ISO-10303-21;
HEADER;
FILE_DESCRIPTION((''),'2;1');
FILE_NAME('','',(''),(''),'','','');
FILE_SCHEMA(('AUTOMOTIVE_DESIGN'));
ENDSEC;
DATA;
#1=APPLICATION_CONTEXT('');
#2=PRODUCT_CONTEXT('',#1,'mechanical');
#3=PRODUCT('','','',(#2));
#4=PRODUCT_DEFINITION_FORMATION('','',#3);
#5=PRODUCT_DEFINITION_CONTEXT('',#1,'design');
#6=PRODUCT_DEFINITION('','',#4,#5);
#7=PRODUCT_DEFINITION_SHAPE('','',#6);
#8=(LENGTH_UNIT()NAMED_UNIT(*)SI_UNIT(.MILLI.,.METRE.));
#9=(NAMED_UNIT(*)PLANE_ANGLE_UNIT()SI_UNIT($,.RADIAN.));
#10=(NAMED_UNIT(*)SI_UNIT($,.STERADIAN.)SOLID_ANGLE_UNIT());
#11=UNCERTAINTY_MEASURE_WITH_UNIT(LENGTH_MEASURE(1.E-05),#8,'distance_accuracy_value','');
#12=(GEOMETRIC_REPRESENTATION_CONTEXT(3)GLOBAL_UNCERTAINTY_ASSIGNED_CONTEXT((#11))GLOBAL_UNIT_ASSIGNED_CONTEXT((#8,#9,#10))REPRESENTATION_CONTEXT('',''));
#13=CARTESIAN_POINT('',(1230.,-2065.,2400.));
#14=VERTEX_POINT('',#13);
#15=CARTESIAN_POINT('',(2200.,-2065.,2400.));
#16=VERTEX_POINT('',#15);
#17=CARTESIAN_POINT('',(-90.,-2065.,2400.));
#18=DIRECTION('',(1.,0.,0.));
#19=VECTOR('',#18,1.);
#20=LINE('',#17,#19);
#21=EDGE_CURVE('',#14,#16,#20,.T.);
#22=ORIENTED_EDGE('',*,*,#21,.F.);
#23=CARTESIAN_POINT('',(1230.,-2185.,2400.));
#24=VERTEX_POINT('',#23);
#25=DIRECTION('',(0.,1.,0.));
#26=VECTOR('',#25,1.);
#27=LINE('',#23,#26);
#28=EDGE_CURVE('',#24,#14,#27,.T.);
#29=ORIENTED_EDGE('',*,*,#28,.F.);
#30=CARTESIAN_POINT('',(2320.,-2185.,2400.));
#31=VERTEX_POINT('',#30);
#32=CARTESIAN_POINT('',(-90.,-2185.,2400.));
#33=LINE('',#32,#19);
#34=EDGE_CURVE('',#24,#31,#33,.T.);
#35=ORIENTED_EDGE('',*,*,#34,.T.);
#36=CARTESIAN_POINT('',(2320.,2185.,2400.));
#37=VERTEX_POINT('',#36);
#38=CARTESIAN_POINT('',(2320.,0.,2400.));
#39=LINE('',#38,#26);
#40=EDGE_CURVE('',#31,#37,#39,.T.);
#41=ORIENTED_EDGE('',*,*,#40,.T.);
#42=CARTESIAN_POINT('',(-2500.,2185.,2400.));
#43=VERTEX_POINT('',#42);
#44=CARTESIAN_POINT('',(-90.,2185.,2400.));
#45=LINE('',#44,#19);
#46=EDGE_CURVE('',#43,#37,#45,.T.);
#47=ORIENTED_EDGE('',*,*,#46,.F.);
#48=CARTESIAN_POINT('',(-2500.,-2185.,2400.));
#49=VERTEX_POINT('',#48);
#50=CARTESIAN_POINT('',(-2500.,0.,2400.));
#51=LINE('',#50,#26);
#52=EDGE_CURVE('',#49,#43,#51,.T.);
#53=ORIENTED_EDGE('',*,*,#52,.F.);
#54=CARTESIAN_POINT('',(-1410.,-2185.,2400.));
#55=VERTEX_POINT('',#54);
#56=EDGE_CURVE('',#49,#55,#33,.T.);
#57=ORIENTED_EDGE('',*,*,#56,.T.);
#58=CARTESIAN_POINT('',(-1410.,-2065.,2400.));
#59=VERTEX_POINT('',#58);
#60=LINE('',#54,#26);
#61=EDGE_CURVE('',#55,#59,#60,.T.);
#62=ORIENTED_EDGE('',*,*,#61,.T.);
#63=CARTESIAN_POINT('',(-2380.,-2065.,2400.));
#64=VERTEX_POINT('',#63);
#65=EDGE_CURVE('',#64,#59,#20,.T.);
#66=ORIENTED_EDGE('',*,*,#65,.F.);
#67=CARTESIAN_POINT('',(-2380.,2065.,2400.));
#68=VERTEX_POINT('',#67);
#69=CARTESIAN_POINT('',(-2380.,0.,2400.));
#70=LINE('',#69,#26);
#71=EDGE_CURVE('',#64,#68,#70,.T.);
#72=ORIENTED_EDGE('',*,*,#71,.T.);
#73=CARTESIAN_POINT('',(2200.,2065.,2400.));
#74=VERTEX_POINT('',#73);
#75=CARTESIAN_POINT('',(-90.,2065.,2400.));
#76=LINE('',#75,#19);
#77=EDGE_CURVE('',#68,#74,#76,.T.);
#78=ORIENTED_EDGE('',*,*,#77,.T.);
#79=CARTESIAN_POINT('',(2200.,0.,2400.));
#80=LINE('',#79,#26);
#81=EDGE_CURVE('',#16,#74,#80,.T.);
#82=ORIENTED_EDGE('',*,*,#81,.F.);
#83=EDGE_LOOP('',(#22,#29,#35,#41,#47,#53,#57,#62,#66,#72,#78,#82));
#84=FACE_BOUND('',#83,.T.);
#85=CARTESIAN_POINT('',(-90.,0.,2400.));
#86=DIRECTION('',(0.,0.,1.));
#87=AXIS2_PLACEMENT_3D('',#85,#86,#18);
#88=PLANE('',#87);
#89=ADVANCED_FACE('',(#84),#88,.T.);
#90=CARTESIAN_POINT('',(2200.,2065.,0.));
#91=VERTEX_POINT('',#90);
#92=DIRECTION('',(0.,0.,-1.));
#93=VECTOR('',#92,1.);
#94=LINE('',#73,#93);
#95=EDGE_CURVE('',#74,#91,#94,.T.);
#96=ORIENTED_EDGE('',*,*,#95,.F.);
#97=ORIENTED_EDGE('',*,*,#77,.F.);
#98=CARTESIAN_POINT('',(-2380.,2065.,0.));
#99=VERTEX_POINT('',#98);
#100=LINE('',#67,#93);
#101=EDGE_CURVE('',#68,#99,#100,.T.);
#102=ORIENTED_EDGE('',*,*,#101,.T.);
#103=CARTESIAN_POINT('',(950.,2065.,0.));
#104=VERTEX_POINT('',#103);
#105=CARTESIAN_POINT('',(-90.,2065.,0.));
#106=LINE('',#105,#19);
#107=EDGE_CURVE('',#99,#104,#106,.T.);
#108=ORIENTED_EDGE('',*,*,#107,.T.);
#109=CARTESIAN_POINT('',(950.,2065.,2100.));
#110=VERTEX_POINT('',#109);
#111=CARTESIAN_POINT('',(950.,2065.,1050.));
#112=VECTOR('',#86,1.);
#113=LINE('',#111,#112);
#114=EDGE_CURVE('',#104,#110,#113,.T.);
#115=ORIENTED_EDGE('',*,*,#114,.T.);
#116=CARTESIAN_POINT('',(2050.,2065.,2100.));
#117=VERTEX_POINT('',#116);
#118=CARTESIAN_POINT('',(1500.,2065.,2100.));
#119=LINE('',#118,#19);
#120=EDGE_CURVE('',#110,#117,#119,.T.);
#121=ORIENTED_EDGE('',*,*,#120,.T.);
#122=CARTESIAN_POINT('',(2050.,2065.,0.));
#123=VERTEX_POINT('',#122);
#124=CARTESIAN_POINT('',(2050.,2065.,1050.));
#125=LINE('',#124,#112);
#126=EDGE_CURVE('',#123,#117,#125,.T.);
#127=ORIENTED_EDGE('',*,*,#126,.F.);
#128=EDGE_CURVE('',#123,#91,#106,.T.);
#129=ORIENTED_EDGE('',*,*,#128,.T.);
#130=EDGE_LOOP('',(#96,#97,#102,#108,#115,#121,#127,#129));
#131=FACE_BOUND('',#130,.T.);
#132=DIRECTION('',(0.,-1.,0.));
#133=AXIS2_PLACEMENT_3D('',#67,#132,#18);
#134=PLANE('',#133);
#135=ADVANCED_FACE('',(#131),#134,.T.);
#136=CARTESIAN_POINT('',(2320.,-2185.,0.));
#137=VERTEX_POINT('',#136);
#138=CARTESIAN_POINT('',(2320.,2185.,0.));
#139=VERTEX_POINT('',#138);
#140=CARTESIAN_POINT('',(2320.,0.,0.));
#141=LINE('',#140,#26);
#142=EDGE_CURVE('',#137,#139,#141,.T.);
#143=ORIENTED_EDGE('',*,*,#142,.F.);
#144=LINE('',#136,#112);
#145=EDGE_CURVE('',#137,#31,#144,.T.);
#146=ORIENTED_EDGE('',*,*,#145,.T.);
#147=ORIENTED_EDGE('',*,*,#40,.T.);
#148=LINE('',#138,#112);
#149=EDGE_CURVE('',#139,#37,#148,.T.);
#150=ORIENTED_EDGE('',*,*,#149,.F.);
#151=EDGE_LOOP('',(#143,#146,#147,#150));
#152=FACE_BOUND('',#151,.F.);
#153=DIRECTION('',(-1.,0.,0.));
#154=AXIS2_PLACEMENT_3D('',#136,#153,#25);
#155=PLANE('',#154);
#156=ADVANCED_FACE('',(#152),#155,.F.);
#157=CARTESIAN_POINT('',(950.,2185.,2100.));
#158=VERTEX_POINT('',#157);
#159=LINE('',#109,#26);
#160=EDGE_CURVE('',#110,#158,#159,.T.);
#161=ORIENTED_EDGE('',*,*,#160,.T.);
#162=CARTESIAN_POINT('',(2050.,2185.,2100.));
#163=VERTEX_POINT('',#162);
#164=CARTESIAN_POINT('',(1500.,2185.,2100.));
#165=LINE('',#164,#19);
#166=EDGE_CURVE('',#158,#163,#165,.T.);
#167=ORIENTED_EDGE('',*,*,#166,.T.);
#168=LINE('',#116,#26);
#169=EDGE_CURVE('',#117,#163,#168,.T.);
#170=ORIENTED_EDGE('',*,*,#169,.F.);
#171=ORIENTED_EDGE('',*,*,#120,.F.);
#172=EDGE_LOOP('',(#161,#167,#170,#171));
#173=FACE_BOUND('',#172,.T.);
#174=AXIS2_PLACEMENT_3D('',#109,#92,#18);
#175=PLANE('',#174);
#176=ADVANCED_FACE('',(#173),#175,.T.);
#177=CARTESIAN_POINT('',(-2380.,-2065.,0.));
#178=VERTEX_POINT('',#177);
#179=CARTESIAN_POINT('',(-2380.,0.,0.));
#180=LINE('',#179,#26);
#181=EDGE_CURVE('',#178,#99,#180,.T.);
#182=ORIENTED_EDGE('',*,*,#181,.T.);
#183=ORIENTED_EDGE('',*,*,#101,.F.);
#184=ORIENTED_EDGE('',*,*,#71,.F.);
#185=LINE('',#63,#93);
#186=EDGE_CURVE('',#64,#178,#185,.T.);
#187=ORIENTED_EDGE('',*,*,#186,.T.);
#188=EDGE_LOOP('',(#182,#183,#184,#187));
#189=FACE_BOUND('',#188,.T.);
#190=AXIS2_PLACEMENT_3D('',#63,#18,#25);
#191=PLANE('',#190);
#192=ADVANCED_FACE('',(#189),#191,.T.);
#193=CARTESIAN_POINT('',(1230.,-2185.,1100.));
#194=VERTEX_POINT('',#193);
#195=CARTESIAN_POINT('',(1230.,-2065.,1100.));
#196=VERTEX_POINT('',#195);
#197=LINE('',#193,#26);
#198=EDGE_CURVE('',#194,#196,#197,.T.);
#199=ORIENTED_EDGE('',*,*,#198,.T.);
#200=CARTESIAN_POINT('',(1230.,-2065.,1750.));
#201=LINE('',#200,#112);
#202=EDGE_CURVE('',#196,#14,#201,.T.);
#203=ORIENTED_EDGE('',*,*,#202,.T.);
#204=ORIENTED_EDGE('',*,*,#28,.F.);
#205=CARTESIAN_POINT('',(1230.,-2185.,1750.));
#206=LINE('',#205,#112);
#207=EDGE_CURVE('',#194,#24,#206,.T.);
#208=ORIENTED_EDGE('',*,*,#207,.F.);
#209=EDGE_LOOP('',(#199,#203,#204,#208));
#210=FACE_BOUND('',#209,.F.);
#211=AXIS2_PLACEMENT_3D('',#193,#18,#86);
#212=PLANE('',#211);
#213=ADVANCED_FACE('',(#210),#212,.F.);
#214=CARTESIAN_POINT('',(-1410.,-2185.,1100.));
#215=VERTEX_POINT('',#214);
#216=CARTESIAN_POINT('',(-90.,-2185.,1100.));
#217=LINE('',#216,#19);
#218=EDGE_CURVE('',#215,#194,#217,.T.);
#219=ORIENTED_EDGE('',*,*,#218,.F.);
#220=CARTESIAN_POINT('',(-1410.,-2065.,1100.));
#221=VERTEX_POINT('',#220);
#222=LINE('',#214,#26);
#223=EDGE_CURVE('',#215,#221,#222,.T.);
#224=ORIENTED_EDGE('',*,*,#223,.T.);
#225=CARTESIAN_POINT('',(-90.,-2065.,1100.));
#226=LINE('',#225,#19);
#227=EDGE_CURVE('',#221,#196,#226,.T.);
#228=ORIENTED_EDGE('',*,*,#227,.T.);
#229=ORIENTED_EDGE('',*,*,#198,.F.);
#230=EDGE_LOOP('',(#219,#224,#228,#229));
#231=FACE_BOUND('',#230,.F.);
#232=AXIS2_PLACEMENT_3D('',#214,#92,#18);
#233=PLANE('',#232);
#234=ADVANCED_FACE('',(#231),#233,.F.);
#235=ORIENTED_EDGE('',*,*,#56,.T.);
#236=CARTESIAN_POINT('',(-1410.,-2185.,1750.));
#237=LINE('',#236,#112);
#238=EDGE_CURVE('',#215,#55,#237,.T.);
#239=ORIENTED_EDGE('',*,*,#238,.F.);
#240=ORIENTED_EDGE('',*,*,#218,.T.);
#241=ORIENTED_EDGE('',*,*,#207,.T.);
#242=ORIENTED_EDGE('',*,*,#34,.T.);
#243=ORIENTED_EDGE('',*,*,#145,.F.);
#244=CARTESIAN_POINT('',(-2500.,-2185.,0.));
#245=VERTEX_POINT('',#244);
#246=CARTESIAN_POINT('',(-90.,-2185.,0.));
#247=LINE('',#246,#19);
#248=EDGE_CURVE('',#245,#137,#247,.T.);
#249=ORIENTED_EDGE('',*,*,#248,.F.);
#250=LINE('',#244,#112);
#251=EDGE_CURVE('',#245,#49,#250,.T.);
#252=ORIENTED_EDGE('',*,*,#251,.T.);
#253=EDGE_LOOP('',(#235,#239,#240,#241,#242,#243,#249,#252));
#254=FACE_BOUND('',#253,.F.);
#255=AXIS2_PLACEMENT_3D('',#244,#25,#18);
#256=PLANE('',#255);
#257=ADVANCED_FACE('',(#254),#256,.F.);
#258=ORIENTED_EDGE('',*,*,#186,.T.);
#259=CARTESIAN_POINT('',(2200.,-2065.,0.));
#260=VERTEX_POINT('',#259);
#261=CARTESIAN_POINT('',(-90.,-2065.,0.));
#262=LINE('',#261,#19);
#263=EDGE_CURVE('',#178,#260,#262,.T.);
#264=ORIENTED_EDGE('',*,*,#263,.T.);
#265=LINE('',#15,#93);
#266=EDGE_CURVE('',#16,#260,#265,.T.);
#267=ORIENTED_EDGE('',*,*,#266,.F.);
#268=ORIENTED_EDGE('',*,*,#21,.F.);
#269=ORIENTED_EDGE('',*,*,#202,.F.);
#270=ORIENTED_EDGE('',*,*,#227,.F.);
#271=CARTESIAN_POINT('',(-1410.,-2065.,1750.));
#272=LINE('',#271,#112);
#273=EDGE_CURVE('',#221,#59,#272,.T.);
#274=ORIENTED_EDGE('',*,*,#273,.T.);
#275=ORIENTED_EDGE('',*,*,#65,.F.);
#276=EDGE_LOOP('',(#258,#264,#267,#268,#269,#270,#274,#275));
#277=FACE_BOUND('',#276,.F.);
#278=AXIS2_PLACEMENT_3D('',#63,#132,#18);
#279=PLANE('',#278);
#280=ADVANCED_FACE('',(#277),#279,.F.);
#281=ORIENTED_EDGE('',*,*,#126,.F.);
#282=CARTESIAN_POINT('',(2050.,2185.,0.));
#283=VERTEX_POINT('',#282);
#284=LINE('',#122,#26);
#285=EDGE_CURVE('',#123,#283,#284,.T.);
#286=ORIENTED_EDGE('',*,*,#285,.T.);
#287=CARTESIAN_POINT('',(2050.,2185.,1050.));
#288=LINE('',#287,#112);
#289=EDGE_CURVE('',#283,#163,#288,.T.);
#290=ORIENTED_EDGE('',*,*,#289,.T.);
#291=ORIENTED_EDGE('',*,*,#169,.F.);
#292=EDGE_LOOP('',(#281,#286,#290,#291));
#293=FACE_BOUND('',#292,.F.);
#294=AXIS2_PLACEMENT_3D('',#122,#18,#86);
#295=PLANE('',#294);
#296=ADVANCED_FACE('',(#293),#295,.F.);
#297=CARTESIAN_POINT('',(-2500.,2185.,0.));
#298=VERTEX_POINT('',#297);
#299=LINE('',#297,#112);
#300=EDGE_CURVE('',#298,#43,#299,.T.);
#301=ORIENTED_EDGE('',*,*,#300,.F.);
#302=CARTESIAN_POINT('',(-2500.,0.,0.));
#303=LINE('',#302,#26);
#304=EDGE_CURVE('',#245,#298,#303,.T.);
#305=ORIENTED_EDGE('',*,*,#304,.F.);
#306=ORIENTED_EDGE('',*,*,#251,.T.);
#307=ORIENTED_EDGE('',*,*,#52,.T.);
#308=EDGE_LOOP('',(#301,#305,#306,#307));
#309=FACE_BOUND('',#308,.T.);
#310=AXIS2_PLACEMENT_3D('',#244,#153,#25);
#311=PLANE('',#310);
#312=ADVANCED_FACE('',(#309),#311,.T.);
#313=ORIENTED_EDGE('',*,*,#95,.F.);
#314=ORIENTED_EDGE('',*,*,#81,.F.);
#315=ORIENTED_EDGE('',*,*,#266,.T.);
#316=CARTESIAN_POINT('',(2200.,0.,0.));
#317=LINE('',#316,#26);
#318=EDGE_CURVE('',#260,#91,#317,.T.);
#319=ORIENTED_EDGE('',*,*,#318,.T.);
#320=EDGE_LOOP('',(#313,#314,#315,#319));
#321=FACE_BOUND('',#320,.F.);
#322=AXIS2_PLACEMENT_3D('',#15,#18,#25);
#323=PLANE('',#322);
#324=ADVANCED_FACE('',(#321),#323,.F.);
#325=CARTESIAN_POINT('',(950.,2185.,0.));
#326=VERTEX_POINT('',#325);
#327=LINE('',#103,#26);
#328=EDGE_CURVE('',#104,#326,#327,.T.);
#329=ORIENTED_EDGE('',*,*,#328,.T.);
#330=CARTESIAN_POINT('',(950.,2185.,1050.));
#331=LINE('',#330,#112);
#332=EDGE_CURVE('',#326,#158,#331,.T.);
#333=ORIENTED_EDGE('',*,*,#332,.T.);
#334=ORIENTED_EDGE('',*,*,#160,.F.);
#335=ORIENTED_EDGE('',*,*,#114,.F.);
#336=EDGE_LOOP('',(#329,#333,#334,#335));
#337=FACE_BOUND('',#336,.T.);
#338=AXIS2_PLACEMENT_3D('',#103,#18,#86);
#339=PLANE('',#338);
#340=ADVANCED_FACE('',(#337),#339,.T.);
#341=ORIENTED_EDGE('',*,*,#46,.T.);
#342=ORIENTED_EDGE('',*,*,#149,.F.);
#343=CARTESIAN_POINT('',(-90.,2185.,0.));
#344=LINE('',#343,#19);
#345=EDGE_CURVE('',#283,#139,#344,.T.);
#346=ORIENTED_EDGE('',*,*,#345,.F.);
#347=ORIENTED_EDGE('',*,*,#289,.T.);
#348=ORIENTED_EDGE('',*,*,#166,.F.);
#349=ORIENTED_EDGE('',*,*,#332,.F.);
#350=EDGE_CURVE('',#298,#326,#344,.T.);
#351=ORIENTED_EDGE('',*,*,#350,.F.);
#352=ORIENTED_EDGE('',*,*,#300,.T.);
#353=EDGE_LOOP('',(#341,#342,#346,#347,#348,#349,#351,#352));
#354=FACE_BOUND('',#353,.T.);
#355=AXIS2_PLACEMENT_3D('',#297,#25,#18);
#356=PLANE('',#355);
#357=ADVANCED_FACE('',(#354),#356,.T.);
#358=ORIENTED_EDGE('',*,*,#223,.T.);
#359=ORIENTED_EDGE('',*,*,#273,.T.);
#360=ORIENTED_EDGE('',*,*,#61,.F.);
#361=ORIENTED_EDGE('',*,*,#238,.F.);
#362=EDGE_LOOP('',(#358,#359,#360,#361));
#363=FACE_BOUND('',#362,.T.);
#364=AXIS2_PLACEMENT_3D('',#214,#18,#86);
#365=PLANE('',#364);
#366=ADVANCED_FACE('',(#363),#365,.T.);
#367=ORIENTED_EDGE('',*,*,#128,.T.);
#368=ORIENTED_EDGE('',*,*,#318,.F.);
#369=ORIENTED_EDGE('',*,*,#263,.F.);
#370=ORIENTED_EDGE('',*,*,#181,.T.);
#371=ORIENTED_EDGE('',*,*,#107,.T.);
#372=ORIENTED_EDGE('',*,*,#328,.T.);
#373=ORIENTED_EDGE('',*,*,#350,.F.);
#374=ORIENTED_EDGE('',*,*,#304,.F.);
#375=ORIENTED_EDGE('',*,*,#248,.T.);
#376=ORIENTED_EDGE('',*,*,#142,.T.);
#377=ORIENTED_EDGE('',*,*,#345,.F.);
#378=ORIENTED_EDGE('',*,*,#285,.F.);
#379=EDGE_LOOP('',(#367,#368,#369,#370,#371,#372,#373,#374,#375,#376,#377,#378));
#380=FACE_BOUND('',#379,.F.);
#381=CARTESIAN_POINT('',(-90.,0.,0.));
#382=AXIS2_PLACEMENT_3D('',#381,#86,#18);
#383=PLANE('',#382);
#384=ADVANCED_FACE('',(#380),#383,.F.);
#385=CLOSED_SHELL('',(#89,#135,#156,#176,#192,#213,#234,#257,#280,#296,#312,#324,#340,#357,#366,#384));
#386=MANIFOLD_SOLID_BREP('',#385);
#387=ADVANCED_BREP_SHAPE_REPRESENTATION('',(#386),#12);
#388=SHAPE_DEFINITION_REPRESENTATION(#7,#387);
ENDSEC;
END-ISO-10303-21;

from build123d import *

# Parameters (mm, degrees)
F0_W     = 4820
F0_H     = 4370
F1_DEPTH = 2400
F2_W     = 4580
F2_H     = 4130
F3_DEPTH = 2400
F4_W     = 2640
F4_H     = 1300
F5_DEPTH = 120
F6_W     = 1100
F6_H     = 2100
F7_DEPTH = 120


with BuildPart() as f1:
    # F0 (on Top) → F1 (new body)
    with BuildSketch(Plane.XY):
        with Locations((-90, 0)):
            Rectangle(F0_W, F0_H)
    extrude(amount=F1_DEPTH)

    # F2 (on face) → F3 (cut, through all)
    with BuildSketch(Plane.XY.offset(2400)):
        with Locations((-90, 0)):
            Rectangle(F2_W, F2_H)
    extrude(amount=-F3_DEPTH, mode=Mode.SUBTRACT)

    # F4 (on face) → F5 (cut, through all)
    with BuildSketch(Plane.XZ.offset(2185)):
        with Locations((-90, 1750)):
            Rectangle(F4_W, F4_H)
    extrude(amount=-F5_DEPTH, mode=Mode.SUBTRACT)

    # F6 (on face) → F7 (cut, through all)
    with BuildSketch(Plane.XZ.offset(-2065)):
        with Locations((1500, 1050)):
            Rectangle(F6_W, F6_H)
    extrude(amount=-F7_DEPTH, mode=Mode.SUBTRACT)


solid = f1.part
